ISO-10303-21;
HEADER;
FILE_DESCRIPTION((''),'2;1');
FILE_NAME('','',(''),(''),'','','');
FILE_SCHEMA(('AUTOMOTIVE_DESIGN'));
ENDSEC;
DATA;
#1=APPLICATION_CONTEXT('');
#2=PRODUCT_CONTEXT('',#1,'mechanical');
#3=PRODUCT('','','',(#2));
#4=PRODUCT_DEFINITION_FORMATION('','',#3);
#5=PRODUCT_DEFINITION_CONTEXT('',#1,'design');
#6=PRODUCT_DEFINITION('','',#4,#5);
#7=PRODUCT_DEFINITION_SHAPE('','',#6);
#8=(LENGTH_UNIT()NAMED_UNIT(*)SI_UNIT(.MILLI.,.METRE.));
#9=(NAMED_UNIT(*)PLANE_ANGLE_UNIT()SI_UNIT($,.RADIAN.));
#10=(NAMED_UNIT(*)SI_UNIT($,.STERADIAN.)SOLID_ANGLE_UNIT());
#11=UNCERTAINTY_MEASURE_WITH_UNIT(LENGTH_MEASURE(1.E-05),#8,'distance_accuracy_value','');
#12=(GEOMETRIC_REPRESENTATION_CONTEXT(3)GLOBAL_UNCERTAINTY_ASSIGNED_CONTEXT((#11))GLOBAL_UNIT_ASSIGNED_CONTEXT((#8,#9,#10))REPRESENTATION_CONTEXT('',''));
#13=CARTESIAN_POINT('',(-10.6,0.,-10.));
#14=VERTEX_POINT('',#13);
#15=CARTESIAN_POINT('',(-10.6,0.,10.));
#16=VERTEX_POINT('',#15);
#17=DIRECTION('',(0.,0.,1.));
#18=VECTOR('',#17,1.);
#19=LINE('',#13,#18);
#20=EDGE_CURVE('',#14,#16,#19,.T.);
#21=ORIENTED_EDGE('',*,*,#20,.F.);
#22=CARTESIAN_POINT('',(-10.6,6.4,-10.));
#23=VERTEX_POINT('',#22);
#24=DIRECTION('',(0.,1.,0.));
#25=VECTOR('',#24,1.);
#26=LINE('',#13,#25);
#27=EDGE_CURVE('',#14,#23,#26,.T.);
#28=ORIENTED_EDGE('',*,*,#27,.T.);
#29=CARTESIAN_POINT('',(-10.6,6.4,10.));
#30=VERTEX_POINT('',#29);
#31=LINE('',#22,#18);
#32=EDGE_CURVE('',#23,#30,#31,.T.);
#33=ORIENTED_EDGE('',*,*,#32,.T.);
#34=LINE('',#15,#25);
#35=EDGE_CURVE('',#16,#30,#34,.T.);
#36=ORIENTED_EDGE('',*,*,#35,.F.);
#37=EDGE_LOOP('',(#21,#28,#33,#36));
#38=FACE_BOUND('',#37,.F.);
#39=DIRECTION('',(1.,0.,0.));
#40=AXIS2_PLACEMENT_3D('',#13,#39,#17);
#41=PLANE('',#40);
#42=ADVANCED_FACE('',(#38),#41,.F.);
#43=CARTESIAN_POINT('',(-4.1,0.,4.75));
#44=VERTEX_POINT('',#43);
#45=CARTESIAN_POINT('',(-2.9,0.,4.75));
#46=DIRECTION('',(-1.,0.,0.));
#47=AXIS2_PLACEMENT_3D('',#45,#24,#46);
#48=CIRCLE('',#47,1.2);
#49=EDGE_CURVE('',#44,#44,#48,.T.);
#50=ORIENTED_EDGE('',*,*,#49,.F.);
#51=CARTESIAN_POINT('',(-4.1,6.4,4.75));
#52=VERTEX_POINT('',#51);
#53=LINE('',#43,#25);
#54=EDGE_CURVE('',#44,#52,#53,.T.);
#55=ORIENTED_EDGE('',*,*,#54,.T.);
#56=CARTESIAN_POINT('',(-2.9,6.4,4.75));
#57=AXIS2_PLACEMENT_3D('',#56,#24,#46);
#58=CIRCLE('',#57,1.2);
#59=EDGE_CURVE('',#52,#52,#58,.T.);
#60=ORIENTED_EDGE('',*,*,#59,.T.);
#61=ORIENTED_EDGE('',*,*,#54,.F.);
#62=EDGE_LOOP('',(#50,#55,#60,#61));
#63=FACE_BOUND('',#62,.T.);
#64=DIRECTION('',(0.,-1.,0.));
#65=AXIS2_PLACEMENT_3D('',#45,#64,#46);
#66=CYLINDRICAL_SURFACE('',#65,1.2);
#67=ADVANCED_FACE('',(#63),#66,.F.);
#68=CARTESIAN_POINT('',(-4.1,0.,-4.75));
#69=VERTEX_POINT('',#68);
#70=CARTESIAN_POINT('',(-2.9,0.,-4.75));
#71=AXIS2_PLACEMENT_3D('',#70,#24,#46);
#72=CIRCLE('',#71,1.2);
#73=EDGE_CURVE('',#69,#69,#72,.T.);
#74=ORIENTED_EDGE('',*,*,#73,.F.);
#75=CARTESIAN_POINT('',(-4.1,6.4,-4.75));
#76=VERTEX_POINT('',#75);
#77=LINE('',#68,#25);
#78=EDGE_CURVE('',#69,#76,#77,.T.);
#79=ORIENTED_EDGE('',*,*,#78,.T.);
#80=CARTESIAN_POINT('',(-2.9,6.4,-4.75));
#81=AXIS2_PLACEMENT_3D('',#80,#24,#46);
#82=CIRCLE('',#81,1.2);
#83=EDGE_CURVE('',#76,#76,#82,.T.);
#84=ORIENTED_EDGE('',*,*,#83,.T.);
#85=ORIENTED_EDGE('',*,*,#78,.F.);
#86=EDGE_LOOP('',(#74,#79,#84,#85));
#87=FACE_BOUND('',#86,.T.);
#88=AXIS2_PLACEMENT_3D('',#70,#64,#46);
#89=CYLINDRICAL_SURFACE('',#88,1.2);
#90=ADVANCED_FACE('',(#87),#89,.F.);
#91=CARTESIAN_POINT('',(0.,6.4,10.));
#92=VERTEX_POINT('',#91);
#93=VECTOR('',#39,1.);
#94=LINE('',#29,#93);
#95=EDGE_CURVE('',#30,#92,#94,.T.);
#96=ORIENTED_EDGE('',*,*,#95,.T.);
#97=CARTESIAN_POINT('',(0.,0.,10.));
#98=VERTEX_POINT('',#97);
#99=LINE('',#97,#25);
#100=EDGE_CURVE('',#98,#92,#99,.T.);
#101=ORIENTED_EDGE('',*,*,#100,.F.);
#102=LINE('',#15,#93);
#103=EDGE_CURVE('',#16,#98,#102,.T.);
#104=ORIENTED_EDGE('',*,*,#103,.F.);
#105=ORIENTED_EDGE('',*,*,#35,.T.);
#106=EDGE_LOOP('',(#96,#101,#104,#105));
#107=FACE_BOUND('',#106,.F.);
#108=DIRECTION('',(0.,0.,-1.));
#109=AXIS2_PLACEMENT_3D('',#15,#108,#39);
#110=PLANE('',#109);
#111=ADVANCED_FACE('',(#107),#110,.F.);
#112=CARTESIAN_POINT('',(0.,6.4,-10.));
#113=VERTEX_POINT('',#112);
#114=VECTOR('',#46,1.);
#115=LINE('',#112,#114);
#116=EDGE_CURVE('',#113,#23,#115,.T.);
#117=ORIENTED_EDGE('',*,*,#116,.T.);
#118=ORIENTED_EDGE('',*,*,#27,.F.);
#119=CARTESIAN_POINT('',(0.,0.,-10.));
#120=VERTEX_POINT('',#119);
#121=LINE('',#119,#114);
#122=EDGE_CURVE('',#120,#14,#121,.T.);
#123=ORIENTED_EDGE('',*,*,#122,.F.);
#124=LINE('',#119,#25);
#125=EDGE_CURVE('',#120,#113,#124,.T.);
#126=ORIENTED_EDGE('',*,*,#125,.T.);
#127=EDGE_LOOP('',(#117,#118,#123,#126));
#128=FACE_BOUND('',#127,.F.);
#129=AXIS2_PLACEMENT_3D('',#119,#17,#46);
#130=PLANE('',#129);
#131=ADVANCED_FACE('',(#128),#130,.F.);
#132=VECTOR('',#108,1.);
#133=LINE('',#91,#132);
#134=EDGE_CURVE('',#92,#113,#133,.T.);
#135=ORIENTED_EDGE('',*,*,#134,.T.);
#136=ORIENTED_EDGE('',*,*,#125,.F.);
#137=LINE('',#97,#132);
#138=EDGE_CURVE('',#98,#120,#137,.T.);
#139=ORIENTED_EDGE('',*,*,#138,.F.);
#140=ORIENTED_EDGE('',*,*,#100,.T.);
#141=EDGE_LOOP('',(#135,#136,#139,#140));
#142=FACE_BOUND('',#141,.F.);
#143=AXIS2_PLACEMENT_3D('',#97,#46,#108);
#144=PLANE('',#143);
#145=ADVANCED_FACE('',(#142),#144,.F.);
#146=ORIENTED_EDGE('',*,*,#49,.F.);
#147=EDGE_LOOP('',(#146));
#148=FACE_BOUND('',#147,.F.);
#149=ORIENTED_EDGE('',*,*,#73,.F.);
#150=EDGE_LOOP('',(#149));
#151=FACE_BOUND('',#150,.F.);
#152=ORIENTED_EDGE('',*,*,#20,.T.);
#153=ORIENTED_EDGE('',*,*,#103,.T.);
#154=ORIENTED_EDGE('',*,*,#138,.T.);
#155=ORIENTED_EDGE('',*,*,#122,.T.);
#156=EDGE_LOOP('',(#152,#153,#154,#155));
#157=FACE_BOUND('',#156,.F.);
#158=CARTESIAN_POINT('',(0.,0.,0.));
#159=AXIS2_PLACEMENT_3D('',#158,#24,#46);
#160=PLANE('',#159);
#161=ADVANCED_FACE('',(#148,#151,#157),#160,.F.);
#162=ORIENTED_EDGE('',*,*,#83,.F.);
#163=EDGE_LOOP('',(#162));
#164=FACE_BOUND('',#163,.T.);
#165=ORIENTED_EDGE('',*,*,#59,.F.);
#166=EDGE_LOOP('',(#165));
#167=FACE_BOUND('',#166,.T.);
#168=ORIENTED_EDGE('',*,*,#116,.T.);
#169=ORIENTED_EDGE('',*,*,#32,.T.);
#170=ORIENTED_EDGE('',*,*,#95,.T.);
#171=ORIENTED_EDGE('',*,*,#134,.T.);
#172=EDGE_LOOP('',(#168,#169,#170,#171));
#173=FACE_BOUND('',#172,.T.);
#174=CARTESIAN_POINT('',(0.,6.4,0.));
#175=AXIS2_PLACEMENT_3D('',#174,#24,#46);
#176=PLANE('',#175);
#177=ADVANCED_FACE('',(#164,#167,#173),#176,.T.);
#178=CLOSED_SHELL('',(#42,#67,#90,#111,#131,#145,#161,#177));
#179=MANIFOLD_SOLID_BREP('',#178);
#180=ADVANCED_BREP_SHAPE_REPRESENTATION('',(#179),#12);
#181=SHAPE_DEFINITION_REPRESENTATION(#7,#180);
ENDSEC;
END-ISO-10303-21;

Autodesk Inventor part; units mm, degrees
ref_plane "YZ Plane" through (0, 0, 0) normal (1, 0, 0) x (0, 1, 0)
ref_plane "XZ Plane" through (0, 0, 0) normal (0, 1, 0) x (-1, 0, 0)
ref_plane "XY Plane" through (0, 0, 0) normal (0, 0, 1) x (1, 0, 0)
sketch "Sketch1" plane through (0, 0, 0) normal (0, 1, 0) x (-1, 0, 0)
  line L0 (0, 41.1799) -> (0, -51.3986) construction
  line L1 (10.6, 10) -> (0, 10)
  line L2 (0, 10) -> (0, -10)
  line L3 (0, -10) -> (10.6, -10)
  line L4 (10.6, -10) -> (10.6, 10)
  circle A0 centre (2.9, 4.75) radius 1.2
  line L5 (10.6, 0) -> (0, 0) construction
  circle A1 centre (2.9, -4.75) radius 1.2
  dimension "d0" = 10.6
  dimension "d1" = 20
  dimension "d2" = 2.9
  dimension "d3" = 2.4
  dimension "d4" = 9.5
extrude "Extrusion1" add sketch "Sketch1" along normal blind 6.4
ref_plane "Rolling Contact Plane" through (-20, 0, 10) normal (1, 0, 0) x (0, 0, -1)
ref_plane "Trigger Plane" through (-17.6, 0, 10) normal (1, 0, 0) x (0, 0, -1)
properties part number "Limit Switch" material "ABS Plastic"
